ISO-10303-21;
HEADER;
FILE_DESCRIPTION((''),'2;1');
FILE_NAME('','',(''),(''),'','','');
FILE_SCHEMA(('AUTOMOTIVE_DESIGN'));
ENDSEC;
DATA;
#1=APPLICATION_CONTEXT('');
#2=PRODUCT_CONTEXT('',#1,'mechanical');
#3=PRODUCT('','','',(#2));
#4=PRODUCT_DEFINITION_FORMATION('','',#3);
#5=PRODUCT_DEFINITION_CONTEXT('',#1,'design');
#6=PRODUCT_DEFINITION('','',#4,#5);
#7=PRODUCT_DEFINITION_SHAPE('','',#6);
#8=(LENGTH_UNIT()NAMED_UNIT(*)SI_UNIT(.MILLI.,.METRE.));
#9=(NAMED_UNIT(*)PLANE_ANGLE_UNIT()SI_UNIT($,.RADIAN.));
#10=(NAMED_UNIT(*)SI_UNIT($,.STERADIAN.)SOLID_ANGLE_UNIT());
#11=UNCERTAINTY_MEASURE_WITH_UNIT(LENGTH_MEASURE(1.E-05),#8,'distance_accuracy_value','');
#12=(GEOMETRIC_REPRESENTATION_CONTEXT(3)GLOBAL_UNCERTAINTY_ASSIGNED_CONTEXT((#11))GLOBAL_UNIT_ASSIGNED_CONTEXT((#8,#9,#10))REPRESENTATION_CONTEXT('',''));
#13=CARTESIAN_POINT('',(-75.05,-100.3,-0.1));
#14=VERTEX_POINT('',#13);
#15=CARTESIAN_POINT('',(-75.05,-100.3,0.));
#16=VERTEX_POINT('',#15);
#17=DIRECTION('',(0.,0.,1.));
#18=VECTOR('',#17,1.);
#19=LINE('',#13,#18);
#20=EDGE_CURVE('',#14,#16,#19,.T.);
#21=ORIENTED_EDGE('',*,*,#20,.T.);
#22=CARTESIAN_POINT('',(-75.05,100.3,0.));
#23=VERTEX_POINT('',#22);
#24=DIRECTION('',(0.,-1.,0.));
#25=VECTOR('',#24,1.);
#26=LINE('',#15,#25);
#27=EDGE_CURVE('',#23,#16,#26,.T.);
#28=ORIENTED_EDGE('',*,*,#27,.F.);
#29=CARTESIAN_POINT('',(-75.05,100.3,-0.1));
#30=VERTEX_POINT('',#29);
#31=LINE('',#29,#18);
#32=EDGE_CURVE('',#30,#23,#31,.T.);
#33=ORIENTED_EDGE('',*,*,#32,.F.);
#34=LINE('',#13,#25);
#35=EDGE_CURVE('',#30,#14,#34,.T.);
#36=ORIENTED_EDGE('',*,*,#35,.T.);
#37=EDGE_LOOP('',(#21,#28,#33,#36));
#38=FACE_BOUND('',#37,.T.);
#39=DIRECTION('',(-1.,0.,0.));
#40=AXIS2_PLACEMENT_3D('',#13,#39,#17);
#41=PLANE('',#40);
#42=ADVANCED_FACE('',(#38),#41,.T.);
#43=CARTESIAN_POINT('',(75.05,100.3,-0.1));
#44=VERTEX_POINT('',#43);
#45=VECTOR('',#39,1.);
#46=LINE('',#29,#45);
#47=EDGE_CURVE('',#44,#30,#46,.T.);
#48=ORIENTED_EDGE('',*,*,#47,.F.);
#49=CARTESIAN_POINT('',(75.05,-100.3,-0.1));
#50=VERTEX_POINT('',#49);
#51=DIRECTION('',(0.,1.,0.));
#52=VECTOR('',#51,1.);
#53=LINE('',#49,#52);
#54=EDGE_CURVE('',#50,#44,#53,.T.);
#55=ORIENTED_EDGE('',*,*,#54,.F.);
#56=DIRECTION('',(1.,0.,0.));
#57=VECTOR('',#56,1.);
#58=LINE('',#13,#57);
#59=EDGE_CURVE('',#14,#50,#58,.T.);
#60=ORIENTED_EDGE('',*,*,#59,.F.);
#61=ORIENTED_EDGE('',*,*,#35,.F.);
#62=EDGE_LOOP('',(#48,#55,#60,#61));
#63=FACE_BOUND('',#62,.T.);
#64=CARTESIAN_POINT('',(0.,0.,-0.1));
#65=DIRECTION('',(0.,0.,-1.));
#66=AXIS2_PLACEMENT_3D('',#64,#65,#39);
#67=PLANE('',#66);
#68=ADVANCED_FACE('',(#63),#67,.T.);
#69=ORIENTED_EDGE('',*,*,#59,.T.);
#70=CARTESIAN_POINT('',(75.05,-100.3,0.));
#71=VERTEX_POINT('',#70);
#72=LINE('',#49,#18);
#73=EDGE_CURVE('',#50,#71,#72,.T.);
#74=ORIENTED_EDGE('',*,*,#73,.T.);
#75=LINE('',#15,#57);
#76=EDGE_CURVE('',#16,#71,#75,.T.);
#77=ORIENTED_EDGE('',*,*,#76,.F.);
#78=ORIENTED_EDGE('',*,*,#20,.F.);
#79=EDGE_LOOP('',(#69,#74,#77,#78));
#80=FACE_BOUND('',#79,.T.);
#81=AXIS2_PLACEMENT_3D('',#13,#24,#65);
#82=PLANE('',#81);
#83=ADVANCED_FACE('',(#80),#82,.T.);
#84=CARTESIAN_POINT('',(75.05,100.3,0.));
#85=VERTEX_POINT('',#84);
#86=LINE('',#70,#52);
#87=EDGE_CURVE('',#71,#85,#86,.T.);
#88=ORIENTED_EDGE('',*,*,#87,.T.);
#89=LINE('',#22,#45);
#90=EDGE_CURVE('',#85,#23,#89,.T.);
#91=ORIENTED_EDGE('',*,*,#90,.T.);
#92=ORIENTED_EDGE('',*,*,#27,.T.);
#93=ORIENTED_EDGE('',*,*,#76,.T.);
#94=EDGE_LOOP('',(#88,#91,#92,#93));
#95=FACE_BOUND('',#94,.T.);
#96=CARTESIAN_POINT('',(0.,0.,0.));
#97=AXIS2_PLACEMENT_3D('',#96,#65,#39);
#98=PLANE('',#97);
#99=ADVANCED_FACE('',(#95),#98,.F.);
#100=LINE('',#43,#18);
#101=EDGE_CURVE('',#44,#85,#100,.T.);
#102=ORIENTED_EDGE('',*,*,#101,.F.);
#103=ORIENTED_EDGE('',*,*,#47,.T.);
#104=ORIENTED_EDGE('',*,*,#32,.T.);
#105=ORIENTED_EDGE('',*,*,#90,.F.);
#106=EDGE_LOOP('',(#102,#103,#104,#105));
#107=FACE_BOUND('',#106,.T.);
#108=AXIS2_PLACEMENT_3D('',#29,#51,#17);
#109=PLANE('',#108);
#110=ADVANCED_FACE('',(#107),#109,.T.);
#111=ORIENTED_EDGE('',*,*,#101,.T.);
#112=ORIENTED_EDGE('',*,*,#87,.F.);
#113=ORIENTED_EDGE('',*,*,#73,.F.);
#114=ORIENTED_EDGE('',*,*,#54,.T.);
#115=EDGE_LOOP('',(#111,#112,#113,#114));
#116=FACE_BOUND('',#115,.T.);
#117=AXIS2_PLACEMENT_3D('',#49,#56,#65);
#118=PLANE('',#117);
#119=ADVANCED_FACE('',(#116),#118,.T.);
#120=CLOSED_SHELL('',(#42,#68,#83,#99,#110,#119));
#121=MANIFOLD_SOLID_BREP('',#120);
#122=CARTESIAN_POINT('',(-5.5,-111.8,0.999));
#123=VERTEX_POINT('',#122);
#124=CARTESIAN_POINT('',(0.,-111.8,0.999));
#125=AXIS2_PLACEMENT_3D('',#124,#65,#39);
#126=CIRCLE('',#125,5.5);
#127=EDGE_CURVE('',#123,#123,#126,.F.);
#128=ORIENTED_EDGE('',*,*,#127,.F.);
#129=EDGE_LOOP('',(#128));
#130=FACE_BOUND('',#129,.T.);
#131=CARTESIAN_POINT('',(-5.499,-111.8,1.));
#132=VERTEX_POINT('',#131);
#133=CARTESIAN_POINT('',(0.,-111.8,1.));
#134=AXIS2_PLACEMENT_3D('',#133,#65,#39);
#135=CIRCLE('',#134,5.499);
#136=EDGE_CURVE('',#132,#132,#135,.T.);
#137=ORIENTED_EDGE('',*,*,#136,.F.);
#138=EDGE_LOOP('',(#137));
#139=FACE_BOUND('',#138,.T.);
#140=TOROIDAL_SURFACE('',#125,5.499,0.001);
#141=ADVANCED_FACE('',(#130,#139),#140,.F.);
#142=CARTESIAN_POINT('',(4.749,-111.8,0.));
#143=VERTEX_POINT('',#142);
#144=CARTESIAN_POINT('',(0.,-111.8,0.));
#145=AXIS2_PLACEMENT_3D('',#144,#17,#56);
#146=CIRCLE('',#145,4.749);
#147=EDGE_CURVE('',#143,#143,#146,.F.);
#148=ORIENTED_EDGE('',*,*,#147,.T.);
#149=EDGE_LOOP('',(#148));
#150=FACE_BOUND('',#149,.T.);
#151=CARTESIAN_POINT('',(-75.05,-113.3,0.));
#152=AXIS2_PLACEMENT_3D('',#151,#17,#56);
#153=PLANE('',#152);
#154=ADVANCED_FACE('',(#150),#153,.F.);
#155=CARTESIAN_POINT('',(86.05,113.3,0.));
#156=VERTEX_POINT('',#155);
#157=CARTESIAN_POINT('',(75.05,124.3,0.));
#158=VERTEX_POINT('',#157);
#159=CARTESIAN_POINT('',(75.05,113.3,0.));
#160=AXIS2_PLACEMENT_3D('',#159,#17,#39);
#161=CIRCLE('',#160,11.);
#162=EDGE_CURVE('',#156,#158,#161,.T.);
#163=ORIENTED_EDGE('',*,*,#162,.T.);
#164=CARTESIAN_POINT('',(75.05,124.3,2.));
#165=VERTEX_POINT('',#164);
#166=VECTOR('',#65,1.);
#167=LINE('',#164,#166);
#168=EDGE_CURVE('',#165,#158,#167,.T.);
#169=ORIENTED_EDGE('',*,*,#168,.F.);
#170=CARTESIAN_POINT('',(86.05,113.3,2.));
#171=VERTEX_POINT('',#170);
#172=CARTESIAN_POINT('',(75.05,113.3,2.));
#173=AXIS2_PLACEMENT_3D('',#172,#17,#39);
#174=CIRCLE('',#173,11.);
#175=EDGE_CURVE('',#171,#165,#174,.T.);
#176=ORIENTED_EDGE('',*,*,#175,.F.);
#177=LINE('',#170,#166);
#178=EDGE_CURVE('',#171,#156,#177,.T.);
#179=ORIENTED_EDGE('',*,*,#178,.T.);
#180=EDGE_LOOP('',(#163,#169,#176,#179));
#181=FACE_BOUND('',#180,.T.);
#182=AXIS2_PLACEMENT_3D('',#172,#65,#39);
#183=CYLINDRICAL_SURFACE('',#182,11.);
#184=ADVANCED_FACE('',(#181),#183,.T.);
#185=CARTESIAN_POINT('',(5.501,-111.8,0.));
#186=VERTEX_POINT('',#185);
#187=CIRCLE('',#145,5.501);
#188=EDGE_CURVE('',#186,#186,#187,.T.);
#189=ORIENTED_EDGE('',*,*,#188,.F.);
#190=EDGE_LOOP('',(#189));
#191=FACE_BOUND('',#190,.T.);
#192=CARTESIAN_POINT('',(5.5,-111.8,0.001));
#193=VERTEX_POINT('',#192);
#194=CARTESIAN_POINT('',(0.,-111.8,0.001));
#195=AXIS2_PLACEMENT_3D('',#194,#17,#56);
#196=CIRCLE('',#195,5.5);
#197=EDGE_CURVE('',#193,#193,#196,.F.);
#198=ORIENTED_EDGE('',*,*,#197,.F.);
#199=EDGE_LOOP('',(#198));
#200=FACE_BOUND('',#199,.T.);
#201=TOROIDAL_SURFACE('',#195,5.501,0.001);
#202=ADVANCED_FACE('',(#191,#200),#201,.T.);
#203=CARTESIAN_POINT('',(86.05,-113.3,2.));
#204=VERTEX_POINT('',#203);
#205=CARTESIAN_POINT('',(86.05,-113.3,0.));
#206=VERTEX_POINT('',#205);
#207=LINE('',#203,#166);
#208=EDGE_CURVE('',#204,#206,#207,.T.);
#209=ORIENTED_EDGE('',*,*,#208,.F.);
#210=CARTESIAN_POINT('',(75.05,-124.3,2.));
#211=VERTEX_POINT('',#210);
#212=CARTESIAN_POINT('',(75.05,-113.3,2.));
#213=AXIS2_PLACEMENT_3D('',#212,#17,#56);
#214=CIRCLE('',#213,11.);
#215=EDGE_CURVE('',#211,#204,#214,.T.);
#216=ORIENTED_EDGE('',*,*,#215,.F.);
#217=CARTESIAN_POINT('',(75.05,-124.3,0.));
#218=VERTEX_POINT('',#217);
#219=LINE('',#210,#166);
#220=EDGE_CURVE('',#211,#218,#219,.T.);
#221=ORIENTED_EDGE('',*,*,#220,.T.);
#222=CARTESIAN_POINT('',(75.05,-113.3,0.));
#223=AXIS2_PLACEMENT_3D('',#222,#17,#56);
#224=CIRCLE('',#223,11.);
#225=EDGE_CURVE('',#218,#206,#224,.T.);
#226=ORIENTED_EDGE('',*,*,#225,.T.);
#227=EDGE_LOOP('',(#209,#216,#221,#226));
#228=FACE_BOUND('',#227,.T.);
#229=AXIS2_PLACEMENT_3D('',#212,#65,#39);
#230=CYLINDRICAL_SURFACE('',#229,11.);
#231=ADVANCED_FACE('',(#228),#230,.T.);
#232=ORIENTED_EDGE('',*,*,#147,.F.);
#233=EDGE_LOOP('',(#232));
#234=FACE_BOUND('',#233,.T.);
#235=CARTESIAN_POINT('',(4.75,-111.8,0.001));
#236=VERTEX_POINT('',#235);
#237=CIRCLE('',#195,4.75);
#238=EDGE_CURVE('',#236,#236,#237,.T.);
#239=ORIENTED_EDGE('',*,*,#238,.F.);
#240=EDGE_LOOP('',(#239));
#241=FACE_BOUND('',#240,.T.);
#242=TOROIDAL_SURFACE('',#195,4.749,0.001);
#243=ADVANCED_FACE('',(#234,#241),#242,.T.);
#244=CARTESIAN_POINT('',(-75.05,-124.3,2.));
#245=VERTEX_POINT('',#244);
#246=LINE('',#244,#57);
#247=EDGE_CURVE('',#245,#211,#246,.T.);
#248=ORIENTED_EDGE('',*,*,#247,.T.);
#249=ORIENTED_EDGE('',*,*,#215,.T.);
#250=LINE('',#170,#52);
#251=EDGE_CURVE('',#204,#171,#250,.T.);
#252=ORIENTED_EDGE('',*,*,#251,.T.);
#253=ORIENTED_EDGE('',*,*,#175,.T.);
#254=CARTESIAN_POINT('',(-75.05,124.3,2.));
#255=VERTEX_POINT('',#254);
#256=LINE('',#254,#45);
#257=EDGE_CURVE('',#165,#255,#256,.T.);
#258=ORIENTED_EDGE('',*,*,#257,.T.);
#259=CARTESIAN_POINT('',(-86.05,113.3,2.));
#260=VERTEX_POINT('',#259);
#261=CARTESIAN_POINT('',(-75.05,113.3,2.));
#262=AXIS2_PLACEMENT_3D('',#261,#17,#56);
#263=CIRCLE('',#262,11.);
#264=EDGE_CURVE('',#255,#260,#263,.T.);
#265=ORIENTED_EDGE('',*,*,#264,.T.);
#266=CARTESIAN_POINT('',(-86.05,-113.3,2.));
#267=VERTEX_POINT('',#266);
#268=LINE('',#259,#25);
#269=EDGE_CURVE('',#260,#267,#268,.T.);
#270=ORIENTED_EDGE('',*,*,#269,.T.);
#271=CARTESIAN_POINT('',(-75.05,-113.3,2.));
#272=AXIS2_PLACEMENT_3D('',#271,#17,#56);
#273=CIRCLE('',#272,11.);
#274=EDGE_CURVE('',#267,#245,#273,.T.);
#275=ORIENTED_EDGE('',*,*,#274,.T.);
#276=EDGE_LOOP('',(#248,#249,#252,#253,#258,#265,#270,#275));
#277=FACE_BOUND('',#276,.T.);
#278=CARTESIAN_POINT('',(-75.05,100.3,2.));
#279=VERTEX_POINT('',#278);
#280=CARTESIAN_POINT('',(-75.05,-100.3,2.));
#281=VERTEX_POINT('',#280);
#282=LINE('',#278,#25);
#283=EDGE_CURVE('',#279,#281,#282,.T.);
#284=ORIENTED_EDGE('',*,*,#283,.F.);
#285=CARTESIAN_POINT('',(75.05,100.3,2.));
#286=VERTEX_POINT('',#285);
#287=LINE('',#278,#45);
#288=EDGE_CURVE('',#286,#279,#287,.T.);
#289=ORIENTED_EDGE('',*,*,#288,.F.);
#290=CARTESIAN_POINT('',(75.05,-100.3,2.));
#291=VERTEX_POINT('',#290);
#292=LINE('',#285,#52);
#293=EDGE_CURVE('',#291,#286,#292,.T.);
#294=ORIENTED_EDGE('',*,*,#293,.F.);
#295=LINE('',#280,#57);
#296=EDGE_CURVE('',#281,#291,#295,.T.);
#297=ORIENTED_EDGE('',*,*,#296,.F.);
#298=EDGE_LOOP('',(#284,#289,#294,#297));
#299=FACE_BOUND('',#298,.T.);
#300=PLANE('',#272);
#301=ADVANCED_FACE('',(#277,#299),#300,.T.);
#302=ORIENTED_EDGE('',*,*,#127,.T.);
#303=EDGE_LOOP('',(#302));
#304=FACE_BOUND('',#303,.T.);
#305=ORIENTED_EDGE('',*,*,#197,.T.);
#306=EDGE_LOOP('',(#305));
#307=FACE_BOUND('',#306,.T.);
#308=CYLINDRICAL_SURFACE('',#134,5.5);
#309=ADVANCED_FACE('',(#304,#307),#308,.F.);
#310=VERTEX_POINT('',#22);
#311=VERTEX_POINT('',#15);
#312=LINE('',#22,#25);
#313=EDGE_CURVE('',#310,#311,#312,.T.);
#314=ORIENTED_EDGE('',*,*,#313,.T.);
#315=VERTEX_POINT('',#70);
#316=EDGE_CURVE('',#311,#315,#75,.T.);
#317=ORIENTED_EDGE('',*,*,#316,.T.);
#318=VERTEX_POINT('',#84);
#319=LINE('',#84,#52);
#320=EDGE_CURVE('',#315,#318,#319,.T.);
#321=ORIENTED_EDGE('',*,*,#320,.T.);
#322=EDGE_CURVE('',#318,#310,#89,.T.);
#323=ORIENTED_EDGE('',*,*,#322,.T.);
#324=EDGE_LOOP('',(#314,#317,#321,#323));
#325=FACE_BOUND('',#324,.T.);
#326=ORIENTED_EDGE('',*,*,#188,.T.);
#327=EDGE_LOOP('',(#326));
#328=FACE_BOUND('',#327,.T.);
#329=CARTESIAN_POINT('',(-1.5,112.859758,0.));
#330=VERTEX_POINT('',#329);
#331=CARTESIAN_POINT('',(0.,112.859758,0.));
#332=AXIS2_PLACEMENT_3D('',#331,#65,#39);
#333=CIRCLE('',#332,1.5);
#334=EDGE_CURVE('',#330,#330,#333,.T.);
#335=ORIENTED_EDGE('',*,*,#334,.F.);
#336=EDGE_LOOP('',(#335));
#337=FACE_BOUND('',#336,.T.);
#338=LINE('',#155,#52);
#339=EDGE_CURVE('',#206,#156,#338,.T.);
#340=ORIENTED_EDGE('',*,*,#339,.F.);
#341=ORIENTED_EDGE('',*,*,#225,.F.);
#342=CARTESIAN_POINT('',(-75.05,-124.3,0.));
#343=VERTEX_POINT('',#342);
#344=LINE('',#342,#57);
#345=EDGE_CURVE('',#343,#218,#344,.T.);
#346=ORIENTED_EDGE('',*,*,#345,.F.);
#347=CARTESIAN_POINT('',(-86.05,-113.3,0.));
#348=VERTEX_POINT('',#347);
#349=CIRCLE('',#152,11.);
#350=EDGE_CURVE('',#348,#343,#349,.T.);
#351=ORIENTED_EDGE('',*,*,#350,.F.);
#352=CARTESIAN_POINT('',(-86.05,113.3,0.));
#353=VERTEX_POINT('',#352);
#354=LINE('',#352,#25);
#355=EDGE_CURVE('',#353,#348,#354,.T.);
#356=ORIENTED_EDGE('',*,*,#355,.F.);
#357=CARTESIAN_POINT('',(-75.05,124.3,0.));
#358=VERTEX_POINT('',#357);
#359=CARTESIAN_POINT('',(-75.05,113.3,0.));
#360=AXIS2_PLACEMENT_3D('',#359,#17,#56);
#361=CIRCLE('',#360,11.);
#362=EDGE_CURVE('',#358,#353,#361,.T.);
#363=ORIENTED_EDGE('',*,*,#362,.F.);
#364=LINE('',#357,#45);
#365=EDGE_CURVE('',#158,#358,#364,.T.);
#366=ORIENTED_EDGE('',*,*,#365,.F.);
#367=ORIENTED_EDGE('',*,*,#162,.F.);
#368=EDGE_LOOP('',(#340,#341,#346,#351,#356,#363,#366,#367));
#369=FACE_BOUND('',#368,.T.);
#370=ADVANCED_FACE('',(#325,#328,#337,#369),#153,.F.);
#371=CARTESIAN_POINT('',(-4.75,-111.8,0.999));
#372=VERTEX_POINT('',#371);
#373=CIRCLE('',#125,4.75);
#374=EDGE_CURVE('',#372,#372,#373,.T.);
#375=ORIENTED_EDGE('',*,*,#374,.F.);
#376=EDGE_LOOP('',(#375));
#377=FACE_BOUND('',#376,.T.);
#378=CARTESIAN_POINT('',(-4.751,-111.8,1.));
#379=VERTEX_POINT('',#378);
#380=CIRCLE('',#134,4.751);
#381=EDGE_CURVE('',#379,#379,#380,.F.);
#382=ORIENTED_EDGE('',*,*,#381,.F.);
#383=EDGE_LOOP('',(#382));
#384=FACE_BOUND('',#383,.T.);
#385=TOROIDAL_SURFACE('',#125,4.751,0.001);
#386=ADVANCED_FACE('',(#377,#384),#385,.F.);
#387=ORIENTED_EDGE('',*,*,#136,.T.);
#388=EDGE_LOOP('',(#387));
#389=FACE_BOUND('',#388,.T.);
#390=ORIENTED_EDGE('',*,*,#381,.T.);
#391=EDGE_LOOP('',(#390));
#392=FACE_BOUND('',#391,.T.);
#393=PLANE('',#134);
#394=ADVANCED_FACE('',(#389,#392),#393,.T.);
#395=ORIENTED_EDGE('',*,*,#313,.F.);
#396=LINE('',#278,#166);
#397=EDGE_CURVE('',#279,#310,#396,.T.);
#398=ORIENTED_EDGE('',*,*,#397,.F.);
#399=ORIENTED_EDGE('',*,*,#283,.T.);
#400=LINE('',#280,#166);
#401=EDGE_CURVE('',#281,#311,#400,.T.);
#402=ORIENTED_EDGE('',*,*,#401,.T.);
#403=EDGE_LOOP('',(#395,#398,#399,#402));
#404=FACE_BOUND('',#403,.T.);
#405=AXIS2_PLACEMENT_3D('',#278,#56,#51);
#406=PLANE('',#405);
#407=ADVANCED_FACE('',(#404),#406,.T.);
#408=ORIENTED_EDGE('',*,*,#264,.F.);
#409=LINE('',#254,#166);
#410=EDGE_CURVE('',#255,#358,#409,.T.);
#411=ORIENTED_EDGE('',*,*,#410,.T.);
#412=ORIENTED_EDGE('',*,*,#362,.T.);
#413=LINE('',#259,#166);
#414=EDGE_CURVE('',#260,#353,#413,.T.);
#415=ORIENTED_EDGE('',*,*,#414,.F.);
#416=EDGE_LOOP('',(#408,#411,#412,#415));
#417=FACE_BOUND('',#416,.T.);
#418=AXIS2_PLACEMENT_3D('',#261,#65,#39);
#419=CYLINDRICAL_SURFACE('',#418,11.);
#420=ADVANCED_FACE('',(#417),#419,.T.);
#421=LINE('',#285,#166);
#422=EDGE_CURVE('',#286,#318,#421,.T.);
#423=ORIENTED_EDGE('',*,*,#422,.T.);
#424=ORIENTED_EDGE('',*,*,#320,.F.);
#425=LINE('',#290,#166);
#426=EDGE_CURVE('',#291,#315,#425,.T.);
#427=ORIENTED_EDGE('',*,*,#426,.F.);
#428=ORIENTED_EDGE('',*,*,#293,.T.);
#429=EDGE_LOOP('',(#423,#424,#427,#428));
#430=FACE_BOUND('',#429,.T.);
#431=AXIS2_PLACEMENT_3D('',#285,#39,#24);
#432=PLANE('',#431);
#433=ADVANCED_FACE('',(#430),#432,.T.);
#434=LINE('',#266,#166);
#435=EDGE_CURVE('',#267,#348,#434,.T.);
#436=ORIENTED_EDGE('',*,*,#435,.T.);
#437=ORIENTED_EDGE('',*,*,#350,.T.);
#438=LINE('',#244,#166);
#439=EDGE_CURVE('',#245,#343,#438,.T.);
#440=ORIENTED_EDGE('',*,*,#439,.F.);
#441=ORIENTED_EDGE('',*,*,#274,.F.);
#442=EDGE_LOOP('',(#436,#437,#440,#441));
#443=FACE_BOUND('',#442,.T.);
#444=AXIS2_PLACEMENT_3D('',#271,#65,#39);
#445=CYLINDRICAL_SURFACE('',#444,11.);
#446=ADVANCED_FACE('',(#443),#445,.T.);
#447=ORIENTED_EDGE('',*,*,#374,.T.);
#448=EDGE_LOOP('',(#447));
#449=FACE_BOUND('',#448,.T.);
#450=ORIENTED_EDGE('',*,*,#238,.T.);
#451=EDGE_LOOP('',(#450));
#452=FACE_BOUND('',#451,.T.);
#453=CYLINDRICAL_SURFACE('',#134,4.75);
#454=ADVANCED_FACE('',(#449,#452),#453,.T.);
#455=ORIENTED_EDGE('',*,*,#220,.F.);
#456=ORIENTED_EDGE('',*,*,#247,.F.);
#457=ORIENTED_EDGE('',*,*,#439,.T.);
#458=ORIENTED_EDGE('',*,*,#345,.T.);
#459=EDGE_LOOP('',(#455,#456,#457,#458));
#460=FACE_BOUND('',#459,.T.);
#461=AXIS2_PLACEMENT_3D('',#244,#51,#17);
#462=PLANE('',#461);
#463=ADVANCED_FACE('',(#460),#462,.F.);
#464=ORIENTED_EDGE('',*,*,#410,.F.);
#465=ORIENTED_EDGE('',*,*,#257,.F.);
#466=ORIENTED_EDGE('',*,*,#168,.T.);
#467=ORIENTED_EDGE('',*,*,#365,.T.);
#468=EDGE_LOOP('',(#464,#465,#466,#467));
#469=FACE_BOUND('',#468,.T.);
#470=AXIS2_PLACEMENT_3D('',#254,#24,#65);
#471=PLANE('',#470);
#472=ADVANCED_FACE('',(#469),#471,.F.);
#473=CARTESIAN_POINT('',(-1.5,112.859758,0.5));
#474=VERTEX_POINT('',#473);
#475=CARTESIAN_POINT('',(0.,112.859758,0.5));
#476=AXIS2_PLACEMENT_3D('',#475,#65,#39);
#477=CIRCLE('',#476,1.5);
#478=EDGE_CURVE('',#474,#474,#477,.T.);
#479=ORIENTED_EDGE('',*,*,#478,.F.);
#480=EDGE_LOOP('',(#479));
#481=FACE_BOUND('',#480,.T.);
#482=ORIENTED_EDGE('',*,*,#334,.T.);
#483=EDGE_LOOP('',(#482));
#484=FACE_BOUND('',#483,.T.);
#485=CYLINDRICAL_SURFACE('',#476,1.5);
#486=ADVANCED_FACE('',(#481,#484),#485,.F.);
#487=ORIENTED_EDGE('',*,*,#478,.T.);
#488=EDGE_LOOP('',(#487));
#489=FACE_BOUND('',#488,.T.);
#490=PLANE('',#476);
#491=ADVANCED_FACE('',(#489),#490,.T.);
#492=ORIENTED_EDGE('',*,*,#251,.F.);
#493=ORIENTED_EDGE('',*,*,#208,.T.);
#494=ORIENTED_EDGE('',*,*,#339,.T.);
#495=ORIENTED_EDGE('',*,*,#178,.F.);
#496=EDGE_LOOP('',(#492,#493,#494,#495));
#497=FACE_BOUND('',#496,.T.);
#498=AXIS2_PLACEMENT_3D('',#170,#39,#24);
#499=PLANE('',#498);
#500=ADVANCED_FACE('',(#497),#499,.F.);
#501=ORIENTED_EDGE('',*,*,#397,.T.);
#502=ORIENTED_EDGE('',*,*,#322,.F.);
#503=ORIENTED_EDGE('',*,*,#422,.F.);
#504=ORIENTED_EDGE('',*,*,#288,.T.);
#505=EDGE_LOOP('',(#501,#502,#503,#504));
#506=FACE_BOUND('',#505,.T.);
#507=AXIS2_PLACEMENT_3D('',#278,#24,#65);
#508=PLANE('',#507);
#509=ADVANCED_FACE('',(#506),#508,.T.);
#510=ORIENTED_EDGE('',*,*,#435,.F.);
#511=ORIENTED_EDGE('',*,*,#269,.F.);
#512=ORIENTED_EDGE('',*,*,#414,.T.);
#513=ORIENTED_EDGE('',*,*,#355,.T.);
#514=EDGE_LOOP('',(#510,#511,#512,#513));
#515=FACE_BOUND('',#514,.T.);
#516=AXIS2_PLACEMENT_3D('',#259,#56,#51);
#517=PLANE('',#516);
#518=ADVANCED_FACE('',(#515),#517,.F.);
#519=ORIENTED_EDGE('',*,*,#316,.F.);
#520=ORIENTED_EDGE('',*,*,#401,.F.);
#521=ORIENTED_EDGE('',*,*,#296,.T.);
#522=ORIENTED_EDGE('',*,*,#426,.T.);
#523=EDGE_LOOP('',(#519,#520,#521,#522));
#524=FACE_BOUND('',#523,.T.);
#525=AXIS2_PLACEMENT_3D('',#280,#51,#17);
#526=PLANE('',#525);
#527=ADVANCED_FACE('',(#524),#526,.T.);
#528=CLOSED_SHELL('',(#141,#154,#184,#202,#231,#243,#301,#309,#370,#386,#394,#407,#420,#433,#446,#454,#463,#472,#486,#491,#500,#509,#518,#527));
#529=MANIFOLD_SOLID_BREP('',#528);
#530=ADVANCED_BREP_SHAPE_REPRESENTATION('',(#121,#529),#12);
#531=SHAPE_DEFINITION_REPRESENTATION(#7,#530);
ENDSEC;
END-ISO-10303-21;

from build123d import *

# Parameters (mm, degrees)
SKETCH2_W           = 150.1
SKETCH2_H           = 200.6
BOSS_EXTRUDE1_DEPTH = 2
SKETCH3_W           = 150.1
SKETCH3_H           = 200.6
BOSS_EXTRUDE2_DEPTH = 0.1
SKETCH4_R           = 5.5
SKETCH4_R_2         = 4.75
CUT_EXTRUDE1_DEPTH  = 1
FILLET1_R           = 0.001
FILLET2_R           = 0.001
FILLET3_R           = 0.001
FILLET4_R           = 0.001
SKETCH5_R           = 1.5
CUT_EXTRUDE3_DEPTH  = 0.5


with BuildPart() as part:
    # Sketch2 → Boss-Extrude1 (new body)
    with BuildSketch(Plane.XY):
        with BuildLine():
            Line((-75.05, 124.3), (75.05, 124.3))
            ThreePointArc((75.05, 124.3), (82.828174593, 121.078174593), (86.05, 113.3))
            Line((86.05, 113.3), (86.05, -113.3))
            ThreePointArc((86.05, -113.3), (82.828174593, -121.078174593), (75.05, -124.3))
            Line((75.05, -124.3), (-75.05, -124.3))
            ThreePointArc((-75.05, -124.3), (-82.828174593, -121.078174593), (-86.05, -113.3))
            Line((-86.05, -113.3), (-86.05, 113.3))
            ThreePointArc((-86.05, 113.3), (-82.828174593, 121.078174593), (-75.05, 124.3))
        make_face()
        Rectangle(SKETCH2_W, SKETCH2_H, mode=Mode.SUBTRACT)
    extrude(amount=BOSS_EXTRUDE1_DEPTH)

    # Sketch4 → Cut-Extrude1 (cut)
    with BuildSketch(Plane(origin=(0, 0, 0), x_dir=(-1, 0, 0), z_dir=(0, 0, -1))):
        with Locations((0, -111.8)):
            Circle(SKETCH4_R)
        with Locations((0, -111.8)):
            Circle(SKETCH4_R_2, mode=Mode.SUBTRACT)
    extrude(amount=-CUT_EXTRUDE1_DEPTH, mode=Mode.SUBTRACT)

    # Fillet1
    fillet1_edges = [part.edges().sort_by_distance(p)[0] for p in [
        (4.75, -111.8, 0),
    ]]
    fillet(fillet1_edges, radius=FILLET1_R)

    # Fillet2
    fillet2_edges = [part.edges().sort_by_distance(p)[0] for p in [
        (5.5, -111.8, 0),
    ]]
    fillet(fillet2_edges, radius=FILLET2_R)

    # Fillet3
    fillet3_edges = [part.edges().sort_by_distance(p)[0] for p in [
        (5.5, -111.8, 1),
    ]]
    fillet(fillet3_edges, radius=FILLET3_R)

    # Fillet4
    fillet4_edges = [part.edges().sort_by_distance(p)[0] for p in [
        (4.75, -111.8, 1),
    ]]
    fillet(fillet4_edges, radius=FILLET4_R)

    # Sketch5 → Cut-Extrude3 (cut)
    with BuildSketch(Plane(origin=(0, 0, 0), x_dir=(-1, 0, 0), z_dir=(0, 0, -1))):
        with Locations((0, 112.859757772)):
            Circle(SKETCH5_R)
    extrude(amount=-CUT_EXTRUDE3_DEPTH, mode=Mode.SUBTRACT)


with BuildPart() as body_2:
    # Sketch3 → Boss-Extrude2 (new body)
    with BuildSketch(Plane.XY):
        Rectangle(SKETCH3_W, SKETCH3_H)
    extrude(amount=-BOSS_EXTRUDE2_DEPTH)


solid = Compound([part.part, body_2.part])
